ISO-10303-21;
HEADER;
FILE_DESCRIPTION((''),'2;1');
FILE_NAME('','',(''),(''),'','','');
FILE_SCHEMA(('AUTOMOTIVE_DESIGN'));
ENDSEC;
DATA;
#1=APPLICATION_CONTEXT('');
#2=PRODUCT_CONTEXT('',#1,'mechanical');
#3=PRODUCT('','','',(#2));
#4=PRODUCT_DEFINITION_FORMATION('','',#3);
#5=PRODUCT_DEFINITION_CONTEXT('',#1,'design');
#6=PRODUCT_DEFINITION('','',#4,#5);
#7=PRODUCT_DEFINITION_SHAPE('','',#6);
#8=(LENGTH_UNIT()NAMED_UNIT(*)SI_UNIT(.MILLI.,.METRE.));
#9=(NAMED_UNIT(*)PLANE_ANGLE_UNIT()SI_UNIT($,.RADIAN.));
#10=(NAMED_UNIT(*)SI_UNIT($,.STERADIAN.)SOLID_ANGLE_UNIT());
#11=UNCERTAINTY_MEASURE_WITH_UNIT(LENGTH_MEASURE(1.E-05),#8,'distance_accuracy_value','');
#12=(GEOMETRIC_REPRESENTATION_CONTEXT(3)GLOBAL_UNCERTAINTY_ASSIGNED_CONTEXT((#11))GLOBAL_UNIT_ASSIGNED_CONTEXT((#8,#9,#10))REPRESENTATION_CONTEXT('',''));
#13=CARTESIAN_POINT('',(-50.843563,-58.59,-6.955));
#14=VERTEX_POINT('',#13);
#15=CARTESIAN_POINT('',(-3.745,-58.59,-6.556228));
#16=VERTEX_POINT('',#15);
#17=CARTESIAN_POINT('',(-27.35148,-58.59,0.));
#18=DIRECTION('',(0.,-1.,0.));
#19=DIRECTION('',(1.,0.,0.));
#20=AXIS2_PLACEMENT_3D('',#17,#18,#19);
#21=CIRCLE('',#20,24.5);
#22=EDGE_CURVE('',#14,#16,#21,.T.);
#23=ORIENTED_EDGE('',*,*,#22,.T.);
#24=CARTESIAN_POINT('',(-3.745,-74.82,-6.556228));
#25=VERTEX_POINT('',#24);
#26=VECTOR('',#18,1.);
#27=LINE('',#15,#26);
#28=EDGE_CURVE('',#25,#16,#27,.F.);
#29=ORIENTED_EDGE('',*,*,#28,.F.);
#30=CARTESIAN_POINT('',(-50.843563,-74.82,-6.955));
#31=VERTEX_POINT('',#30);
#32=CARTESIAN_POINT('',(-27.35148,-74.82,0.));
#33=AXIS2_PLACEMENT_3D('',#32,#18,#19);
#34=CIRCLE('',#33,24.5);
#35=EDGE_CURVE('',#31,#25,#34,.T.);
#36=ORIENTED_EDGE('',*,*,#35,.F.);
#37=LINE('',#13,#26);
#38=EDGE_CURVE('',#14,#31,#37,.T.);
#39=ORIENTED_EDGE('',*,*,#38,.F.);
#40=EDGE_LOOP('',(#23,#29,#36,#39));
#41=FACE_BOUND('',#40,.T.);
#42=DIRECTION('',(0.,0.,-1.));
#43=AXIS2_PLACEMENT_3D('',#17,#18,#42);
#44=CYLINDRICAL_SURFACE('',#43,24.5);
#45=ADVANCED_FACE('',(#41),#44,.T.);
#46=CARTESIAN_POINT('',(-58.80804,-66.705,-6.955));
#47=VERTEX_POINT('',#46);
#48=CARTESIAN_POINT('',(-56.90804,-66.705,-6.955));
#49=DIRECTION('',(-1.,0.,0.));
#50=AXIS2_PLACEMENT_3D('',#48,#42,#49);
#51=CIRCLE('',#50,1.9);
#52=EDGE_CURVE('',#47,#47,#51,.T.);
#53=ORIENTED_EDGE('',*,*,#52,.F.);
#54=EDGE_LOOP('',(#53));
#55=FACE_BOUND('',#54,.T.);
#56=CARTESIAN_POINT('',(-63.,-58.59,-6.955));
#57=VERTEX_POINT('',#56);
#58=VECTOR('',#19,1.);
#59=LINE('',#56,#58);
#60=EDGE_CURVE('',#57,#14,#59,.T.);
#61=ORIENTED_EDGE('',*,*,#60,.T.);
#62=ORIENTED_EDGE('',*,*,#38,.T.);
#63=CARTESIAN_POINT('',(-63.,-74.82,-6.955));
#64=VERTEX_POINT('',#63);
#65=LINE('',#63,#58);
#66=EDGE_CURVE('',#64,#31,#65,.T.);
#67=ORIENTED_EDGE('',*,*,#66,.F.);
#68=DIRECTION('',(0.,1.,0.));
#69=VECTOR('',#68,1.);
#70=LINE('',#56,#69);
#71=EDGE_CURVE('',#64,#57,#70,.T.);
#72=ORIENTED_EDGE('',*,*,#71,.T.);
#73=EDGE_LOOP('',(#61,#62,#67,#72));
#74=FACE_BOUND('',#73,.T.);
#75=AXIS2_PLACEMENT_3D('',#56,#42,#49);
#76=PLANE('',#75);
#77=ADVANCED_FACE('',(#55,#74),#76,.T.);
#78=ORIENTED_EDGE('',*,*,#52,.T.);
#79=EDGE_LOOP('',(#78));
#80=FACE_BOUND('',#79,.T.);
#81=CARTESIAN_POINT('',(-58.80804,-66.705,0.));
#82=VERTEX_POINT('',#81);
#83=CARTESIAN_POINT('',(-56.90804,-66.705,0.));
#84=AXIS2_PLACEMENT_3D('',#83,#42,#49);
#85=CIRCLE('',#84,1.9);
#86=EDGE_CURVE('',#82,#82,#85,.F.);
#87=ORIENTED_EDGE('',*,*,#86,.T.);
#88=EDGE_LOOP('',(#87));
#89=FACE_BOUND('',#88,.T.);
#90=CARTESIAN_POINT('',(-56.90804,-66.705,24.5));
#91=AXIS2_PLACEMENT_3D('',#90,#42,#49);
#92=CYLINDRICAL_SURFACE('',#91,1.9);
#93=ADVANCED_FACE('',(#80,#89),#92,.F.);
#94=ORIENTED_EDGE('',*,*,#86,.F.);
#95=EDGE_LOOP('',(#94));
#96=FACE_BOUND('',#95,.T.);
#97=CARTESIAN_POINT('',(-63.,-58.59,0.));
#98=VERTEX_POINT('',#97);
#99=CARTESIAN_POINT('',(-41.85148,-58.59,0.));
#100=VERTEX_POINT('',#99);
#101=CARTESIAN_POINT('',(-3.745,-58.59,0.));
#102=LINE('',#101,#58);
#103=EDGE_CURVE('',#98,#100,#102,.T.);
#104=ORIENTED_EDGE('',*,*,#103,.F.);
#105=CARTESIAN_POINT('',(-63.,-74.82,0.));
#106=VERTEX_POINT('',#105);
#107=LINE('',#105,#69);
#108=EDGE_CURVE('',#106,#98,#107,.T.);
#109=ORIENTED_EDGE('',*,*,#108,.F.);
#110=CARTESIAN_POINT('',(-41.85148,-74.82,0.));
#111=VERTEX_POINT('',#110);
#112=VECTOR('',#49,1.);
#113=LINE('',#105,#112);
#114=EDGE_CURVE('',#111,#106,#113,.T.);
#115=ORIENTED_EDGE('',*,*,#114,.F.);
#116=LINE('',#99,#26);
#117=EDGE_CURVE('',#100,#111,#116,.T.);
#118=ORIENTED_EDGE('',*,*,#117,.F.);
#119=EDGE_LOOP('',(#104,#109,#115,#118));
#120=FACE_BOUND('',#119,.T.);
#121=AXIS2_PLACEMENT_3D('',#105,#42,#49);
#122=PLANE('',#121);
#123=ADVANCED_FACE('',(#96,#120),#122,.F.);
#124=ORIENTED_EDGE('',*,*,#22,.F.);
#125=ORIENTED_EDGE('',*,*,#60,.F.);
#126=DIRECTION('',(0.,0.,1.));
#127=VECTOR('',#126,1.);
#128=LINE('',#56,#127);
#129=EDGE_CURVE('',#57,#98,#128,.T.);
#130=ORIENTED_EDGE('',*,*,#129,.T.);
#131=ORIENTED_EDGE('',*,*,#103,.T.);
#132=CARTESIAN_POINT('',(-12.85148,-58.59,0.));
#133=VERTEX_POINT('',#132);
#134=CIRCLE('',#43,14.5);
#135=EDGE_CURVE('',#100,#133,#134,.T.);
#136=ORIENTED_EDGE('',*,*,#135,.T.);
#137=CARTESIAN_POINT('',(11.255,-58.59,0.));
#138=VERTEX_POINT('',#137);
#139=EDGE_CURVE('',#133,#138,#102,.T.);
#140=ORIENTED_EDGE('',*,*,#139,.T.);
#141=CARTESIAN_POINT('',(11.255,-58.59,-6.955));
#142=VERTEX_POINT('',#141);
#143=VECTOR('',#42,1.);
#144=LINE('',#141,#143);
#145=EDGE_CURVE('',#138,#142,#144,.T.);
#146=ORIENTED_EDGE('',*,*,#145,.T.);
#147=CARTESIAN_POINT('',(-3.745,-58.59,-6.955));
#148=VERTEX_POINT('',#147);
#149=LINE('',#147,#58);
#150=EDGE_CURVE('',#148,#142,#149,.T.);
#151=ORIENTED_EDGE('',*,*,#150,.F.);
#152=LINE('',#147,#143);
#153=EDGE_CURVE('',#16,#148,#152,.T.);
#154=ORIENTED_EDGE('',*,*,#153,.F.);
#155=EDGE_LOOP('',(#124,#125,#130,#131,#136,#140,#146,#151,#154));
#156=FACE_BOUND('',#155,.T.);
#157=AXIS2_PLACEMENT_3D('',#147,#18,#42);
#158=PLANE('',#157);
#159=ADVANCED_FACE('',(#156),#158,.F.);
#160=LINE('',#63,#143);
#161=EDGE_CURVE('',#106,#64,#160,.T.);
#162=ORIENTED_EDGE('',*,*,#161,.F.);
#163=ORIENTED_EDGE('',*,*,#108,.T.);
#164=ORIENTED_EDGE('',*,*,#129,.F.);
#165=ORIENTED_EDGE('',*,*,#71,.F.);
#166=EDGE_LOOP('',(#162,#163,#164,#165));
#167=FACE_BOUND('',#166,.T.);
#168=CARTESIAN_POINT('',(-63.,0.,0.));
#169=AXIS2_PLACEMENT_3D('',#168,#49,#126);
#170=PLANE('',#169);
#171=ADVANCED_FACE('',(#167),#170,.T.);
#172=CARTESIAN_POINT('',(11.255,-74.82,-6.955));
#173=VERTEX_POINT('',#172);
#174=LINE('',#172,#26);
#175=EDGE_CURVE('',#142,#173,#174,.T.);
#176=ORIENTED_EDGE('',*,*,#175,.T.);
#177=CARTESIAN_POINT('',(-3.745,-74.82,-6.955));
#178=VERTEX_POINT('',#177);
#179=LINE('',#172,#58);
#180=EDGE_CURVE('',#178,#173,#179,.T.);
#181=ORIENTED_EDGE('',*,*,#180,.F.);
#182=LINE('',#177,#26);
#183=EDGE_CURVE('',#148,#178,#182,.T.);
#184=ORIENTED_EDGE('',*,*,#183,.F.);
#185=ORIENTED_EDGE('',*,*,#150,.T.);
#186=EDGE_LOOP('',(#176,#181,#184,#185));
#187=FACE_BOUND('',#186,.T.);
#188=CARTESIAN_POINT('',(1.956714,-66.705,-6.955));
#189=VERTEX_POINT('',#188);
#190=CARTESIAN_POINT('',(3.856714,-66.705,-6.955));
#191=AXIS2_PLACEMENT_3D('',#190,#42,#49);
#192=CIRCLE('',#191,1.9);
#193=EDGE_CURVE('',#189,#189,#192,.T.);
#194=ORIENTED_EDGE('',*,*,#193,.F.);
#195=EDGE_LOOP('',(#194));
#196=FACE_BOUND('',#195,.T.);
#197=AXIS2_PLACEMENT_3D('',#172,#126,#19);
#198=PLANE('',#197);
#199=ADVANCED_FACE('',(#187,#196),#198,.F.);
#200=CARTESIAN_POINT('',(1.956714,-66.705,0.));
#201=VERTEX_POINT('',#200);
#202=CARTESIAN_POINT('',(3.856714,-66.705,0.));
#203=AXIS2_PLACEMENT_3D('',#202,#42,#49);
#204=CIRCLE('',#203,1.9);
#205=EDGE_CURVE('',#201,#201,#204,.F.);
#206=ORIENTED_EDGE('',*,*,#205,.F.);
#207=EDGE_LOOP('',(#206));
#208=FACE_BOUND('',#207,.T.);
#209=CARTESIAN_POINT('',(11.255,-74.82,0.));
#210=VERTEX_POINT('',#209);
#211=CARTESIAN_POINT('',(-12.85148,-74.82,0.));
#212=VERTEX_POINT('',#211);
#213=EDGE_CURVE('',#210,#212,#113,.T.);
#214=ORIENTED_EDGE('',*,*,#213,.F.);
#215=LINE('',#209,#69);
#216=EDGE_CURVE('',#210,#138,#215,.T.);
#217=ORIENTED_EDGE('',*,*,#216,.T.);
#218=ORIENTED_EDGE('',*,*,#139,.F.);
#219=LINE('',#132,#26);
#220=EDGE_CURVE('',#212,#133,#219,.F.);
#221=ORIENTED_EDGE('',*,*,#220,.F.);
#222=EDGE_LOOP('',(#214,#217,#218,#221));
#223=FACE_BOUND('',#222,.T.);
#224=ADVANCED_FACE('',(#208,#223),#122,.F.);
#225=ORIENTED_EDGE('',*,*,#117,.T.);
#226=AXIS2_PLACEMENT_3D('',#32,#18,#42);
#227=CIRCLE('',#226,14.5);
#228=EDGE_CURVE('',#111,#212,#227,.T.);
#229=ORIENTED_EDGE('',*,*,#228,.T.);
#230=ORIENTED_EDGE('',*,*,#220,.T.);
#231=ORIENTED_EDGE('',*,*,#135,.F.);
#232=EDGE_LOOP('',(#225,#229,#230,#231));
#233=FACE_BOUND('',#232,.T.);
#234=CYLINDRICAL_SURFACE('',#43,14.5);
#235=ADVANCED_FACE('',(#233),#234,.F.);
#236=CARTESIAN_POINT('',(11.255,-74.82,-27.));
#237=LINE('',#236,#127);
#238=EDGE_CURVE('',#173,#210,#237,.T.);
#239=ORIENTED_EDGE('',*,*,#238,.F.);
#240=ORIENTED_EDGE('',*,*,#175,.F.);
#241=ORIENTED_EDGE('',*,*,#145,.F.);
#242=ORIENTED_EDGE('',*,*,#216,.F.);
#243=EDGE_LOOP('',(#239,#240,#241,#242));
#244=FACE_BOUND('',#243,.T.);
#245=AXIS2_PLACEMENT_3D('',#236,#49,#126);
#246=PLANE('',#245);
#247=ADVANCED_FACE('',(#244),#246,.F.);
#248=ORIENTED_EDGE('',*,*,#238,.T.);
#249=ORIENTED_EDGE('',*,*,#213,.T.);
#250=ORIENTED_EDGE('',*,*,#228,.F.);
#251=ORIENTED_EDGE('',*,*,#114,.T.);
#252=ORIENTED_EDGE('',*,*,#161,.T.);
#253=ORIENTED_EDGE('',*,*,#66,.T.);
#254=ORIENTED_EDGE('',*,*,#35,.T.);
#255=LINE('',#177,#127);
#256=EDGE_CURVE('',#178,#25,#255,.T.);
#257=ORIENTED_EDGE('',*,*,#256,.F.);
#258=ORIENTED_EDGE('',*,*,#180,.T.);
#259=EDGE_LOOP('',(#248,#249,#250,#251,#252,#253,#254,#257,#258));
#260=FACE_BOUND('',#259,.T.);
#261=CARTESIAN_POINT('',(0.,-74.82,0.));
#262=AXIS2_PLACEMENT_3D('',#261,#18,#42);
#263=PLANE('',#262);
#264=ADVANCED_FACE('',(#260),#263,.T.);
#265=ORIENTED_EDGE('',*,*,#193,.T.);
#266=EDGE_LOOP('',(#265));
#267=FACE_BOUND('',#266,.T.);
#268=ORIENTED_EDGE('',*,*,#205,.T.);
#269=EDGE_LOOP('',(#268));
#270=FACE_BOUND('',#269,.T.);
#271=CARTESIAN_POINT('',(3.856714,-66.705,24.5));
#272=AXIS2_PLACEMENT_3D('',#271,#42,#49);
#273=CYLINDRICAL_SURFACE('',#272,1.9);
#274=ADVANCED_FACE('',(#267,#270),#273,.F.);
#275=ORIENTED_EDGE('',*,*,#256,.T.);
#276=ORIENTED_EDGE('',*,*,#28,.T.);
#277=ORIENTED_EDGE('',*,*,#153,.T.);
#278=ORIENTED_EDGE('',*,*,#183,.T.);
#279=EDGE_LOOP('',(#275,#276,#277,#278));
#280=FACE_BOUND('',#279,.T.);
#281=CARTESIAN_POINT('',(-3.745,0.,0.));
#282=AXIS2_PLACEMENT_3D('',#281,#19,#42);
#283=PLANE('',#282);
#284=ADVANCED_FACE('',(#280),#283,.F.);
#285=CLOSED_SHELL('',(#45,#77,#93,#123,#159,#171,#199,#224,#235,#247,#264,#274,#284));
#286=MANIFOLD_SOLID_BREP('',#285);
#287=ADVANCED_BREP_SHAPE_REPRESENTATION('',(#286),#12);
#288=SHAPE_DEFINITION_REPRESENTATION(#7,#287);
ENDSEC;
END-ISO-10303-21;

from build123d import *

# Parameters (mm, degrees)
SKETCH_1_W                = 48.51
SKETCH_1_H                = 34
SKETCH_1_W_2              = 28.51
SKETCH_1_H_2              = 14
EXTRUDE_1_DEPTH           = 12.25
SKETCH_2_R                = 1.91
CUT_EXTRUDE_1_DEPTH       = 33.05257439
SKETCH_4_W                = 13
SKETCH_4_H                = 13.91
EXTRUDE_1_2_DEPTH         = 74.82
SKETCH_5_W                = 13.91
SKETCH_5_H                = 16.23
EXTRUDE_2_DEPTH           = 15
SKETCH_7_R                = 24.5
SKETCH_7_R_2              = 14.5
EXTRUDE_2_2_DEPTH         = 16.23
SKETCH_12_R               = 1.9
CUT_EXTRUDE_4_DEPTH       = 97.312124675
EXTRUDE_3_DEPTH           = 10
EXTRUDE_3_DEPTH_BACK      = 8
SKETCH_13_W               = 13.91
SKETCH_13_H               = 16.23
SKETCH_14_R               = 1.9
CUT_EXTRUDE_5_DEPTH       = 103.744583434
SKETCH_16_W               = 90.709398763
SKETCH_16_H               = 28.955068616
CUT_EXTRUDE_7_DEPTH       = 111.229011154
SKETCH_18_W               = 13
SKETCH_18_H               = 93.080932143
CUT_EXTRUDE_10_DEPTH      = 27
CUT_EXTRUDE_11_DEPTH      = 57
CUT_EXTRUDE_11_DEPTH_BACK = 27
SKETCH_17_W               = 20.23049449
SKETCH_17_H               = 80.723570055


with BuildPart() as part:
    # 草圖1 → Extrude 1 (new body)
    with BuildSketch(Plane(origin=(0, 0, 0), x_dir=(1, 0, 0), z_dir=(0, 1, 0))):
        Rectangle(SKETCH_1_W, SKETCH_1_H)
        Rectangle(SKETCH_1_W_2, SKETCH_1_H_2, mode=Mode.SUBTRACT)
    extrude(amount=EXTRUDE_1_DEPTH)

    # 草圖2 → 除料-伸長1 (cut, through all)
    with BuildSketch(Plane(origin=(0, 12.25, 0), x_dir=(1, 0, 0), z_dir=(0, 1, 0))):
        with Locations(Location((-19.255, 0, 0), (0, 0, 270))):
            Circle(SKETCH_2_R)
        with Locations(Location((19.255, 0, 0), (0, 0, 270))):
            Circle(SKETCH_2_R)
    extrude(amount=-CUT_EXTRUDE_1_DEPTH, mode=Mode.SUBTRACT)

    # 草圖4 → Extrude 1 2 (add)
    with BuildSketch(Plane.XZ):
        with Locations((17.755, 0)):
            Rectangle(SKETCH_4_W, SKETCH_4_H)
    extrude(amount=EXTRUDE_1_2_DEPTH)

    # 草圖5 → Extrude 2 (add)
    with BuildSketch(Plane.ZY.offset(-11.255)):
        with Locations((0, -66.705)):
            Rectangle(SKETCH_5_W, SKETCH_5_H)
    extrude(amount=EXTRUDE_2_DEPTH)

    # 草圖7 → Extrude 2 2 (add)
    with BuildSketch(Plane(origin=(3.626674765, -74.82, 0), x_dir=(1, 0, 0), z_dir=(0, -1, 0))):
        with Locations((-30.978154344, 0)):
            Circle(SKETCH_7_R)
        with Locations((-30.978154344, 0)):
            Circle(SKETCH_7_R_2, mode=Mode.SUBTRACT)
    extrude(amount=-EXTRUDE_2_2_DEPTH)

    # 草圖12 → 除料-伸長4 (cut, through all)
    with BuildSketch(Plane(origin=(0, 0, -6.955), x_dir=(-1, 0, 0), z_dir=(0, 0, -1))):
        with Locations((-3.856713649, -66.705)):
            Circle(SKETCH_12_R)
    extrude(amount=-CUT_EXTRUDE_4_DEPTH, mode=Mode.SUBTRACT)

    # 草圖13 → 填料-伸長3 (add, two sides: drawn at the far end of the back side and taken through both)
    with BuildSketch(Plane(origin=(-55, 0, 0), x_dir=(0, 0, -1), z_dir=(1, 0, 0)).offset(-EXTRUDE_3_DEPTH_BACK)):
        with Locations((0, -66.705)):
            Rectangle(SKETCH_13_W, SKETCH_13_H)
    extrude(amount=EXTRUDE_3_DEPTH + EXTRUDE_3_DEPTH_BACK)

    # 草圖14 → 除料-伸長5 (cut, through all)
    with BuildSketch(Plane(origin=(0, 0, -6.955), x_dir=(-1, 0, 0), z_dir=(0, 0, -1))):
        with Locations((56.908040017, -66.705)):
            Circle(SKETCH_14_R)
    extrude(amount=-CUT_EXTRUDE_5_DEPTH, mode=Mode.SUBTRACT)

    # 草圖16 → 除料-伸長7 (cut, through all)
    with BuildSketch(Plane(origin=(0, 12.25, 0), x_dir=(1, 0, 0), z_dir=(0, 1, 0))):
        with Locations((-17.645300619, -14.477534308)):
            Rectangle(SKETCH_16_W, SKETCH_16_H)
    extrude(amount=-CUT_EXTRUDE_7_DEPTH, mode=Mode.SUBTRACT)

    # 草圖18 → 除料-伸長10 (cut)
    with BuildSketch(Plane.XY):
        with Locations((17.755, -28.279533929)):
            Rectangle(SKETCH_18_W, SKETCH_18_H)
    extrude(amount=-CUT_EXTRUDE_10_DEPTH, mode=Mode.SUBTRACT)


with BuildPart() as cut_extrude_10_piece_1:
    # of the separate pieces the step leaves, piece 1, a body of its own (cut_extrude_10_pieces)
    add(part.part.solids().sort_by_distance((11.255, -58.59, -6.955))[0])


with BuildPart() as cut_extrude_10_piece_2:
    # of the separate pieces the step leaves, piece 2, a body of its own (cut_extrude_10_pieces)
    add(part.part.solids().sort_by_distance((-17.345, 0, 0))[0])

    # 草圖17 → 除料-伸長11 (cut, two sides: drawn at the far end of the back side and taken through both)
    with BuildSketch(Plane.ZY.offset(-11.255).offset(-CUT_EXTRUDE_11_DEPTH_BACK)):
        with Locations((-10.115247245, -18.228214973)):
            Rectangle(SKETCH_17_W, SKETCH_17_H)
    extrude(amount=CUT_EXTRUDE_11_DEPTH + CUT_EXTRUDE_11_DEPTH_BACK, mode=Mode.SUBTRACT)


solid = cut_extrude_10_piece_1.part
